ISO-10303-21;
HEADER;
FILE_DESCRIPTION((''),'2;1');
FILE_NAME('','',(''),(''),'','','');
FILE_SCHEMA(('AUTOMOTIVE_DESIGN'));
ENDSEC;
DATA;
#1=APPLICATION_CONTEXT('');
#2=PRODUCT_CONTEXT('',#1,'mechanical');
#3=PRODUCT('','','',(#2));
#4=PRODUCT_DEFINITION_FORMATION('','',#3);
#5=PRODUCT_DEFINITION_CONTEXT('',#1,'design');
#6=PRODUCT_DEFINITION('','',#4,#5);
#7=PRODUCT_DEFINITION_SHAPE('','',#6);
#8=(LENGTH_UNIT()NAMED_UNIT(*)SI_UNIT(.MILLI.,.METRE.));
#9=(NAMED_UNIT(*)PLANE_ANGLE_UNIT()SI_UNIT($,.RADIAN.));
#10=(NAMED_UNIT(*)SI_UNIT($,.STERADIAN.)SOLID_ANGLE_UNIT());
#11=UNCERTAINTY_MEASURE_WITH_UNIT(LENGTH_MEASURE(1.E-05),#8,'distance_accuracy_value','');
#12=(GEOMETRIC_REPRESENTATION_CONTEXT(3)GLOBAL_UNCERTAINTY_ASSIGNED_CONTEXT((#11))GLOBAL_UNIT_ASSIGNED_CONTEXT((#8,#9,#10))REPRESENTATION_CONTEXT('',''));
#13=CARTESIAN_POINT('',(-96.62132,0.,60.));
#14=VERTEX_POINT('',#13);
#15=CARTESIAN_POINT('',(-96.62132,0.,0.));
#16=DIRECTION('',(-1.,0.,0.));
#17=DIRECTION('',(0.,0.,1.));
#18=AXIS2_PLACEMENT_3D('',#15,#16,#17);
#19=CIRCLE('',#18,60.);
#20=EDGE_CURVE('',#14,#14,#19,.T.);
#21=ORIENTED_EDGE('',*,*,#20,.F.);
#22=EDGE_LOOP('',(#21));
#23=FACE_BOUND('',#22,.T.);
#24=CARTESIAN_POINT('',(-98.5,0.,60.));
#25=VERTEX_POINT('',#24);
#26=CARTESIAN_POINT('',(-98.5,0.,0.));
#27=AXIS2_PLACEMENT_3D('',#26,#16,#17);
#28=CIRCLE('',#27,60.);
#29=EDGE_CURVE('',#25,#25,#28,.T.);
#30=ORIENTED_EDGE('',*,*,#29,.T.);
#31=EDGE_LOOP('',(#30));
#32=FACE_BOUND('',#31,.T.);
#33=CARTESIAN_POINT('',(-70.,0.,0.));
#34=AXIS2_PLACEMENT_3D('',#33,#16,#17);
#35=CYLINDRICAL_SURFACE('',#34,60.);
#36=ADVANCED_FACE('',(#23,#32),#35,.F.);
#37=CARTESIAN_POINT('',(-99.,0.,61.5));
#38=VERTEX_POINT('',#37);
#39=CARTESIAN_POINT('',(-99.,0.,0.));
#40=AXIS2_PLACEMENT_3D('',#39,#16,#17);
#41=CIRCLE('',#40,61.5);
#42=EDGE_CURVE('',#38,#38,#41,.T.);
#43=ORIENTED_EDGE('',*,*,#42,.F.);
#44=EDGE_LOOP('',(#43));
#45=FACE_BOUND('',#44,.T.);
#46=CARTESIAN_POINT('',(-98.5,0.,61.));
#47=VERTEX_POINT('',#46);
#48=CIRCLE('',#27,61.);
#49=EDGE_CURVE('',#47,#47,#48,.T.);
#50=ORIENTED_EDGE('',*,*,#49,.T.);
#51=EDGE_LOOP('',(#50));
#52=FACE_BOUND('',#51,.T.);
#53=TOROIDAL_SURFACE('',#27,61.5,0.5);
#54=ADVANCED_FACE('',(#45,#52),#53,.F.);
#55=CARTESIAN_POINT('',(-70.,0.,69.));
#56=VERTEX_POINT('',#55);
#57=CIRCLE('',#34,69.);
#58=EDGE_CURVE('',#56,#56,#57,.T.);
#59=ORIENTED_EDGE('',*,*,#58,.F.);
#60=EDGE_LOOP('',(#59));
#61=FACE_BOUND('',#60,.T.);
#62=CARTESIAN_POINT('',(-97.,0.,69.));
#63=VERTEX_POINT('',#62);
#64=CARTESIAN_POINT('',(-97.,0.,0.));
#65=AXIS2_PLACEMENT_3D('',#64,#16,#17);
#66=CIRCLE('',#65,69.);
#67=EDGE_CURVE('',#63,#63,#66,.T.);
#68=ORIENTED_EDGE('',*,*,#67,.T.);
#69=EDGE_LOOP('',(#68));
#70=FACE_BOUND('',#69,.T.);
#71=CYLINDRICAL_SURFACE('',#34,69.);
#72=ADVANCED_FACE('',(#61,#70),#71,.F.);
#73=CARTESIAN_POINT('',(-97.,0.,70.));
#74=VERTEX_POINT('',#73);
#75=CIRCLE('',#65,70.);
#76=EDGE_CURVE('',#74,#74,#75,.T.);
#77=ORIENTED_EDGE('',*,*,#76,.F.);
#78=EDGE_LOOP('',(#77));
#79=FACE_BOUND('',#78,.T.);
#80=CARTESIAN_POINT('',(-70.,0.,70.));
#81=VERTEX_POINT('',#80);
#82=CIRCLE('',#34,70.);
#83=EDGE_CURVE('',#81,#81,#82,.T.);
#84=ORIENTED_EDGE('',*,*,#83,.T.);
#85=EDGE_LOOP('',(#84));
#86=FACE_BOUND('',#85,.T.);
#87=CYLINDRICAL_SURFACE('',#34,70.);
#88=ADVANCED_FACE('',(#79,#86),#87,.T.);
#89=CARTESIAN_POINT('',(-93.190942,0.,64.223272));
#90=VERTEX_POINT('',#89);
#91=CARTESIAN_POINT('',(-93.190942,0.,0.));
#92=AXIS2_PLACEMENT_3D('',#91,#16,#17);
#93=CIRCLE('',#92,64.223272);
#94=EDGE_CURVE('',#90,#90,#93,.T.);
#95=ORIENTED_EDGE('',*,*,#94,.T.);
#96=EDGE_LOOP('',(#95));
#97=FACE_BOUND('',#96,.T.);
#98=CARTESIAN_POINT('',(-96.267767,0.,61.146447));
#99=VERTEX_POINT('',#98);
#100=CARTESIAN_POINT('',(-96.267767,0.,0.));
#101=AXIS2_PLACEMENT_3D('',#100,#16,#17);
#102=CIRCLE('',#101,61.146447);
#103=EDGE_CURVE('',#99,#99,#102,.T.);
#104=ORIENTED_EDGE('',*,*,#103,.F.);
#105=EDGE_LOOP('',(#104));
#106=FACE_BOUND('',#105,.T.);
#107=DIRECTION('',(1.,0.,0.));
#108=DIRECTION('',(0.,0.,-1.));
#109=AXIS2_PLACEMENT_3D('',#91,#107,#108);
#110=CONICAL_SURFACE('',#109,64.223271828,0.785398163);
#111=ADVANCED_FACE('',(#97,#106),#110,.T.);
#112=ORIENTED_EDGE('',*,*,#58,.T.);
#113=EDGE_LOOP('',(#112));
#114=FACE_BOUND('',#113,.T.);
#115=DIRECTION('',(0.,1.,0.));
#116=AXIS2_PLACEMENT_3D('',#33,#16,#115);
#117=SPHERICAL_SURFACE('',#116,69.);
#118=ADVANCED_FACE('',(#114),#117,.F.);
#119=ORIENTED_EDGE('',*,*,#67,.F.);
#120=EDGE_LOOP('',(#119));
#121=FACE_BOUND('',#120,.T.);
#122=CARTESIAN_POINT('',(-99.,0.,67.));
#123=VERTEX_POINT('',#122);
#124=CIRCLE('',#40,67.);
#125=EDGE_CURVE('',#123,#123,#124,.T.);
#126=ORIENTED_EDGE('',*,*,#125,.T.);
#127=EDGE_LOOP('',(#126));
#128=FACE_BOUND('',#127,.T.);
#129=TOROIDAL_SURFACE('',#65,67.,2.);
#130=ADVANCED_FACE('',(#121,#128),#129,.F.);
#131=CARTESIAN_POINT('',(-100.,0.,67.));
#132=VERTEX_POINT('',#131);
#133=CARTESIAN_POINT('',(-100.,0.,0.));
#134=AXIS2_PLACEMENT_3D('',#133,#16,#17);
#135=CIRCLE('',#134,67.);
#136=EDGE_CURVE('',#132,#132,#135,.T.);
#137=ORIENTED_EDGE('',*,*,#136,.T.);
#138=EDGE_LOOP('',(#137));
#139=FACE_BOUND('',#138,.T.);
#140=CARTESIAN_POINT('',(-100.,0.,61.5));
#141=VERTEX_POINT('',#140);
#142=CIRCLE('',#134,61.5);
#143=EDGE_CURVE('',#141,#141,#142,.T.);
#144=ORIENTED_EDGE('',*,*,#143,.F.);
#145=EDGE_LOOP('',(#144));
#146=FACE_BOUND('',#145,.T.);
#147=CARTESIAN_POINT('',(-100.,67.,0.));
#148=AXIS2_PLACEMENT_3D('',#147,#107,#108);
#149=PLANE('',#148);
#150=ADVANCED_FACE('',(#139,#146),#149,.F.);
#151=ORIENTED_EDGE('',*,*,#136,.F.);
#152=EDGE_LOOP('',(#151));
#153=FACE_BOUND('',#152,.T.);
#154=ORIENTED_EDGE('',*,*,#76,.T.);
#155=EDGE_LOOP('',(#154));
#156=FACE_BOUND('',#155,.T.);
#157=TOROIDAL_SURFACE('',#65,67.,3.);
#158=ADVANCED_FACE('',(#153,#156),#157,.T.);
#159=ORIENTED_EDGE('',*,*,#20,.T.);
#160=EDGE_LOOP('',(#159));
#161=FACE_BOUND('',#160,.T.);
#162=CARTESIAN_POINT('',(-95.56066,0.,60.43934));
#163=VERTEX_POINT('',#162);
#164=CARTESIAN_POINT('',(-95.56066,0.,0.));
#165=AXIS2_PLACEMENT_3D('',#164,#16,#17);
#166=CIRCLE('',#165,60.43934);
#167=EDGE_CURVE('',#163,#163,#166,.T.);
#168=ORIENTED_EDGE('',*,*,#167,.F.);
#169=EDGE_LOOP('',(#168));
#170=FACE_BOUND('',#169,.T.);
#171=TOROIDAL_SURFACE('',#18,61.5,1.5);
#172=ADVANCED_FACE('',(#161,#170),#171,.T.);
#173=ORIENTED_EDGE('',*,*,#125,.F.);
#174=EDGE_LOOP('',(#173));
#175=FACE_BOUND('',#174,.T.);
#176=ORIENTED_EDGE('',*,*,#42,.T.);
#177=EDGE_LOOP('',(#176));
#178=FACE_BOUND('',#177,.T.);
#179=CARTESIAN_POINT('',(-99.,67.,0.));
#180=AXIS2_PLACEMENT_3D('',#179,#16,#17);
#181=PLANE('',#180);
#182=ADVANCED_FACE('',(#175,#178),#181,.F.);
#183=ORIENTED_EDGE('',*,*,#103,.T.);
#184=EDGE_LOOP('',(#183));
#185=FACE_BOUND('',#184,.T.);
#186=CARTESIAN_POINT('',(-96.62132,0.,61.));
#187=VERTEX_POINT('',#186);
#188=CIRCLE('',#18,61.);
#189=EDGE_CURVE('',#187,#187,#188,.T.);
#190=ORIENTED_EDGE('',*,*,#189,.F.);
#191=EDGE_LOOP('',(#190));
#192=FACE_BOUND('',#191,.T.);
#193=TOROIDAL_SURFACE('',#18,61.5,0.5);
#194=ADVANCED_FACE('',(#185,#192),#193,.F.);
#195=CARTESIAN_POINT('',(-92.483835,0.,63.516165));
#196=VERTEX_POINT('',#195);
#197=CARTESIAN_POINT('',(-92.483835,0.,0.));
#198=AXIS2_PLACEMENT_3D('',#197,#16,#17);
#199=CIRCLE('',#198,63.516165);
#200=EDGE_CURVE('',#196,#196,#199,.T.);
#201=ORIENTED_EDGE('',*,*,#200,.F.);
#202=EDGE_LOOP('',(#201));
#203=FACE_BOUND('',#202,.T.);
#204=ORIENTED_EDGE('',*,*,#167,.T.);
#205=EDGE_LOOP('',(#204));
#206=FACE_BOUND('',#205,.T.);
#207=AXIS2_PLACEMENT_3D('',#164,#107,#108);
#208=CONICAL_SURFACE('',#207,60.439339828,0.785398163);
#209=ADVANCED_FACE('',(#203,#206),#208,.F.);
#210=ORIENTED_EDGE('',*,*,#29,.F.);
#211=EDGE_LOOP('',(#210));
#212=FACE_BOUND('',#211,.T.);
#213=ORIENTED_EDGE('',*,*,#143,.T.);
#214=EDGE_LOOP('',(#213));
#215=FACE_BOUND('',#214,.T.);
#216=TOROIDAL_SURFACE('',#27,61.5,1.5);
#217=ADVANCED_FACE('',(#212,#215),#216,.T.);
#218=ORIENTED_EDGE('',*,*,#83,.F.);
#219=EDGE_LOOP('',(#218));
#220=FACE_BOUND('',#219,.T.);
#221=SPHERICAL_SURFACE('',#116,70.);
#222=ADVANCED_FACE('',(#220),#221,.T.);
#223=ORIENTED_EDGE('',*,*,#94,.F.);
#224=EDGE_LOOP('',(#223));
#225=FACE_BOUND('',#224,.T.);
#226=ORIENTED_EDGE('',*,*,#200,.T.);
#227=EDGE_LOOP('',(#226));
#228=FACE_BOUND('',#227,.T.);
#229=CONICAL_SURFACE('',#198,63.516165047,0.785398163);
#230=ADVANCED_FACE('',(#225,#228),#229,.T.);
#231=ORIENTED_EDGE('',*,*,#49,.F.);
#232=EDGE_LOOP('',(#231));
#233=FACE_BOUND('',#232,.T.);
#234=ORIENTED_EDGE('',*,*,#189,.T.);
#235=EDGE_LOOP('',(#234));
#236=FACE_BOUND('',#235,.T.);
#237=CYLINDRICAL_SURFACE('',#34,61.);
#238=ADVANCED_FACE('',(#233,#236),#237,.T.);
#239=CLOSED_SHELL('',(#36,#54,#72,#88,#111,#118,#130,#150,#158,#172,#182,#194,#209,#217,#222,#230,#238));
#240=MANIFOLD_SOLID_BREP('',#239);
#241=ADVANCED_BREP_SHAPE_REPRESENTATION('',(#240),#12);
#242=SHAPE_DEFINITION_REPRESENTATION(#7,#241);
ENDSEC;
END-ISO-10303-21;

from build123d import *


with BuildPart() as part:
    # Sketch1 → Revolve1 (revolve)
    with BuildSketch(Plane.XY, mode=Mode.PRIVATE) as revolve1_sk:
        with BuildLine():
            Line((-70, 70), (-97, 70))
            ThreePointArc((-97, 70), (-99.121320344, 69.121320344), (-100, 67))
            Line((-100, 67), (-100, 61.5))
            ThreePointArc((-100, 61.5), (-99.560660172, 60.439339828), (-98.5, 60))
            Line((-98.5, 60), (-96.621320344, 60))
            ThreePointArc((-96.621320344, 60), (-96.047295195, 60.114180701), (-95.560660172, 60.439339828))
            Line((-95.560660172, 60.439339828), (-92.483834953, 63.516165047))
            Line((-92.483834953, 63.516165047), (-93.190941734, 64.223271828))
            Line((-93.190941734, 64.223271828), (-96.267766953, 61.146446609))
            ThreePointArc((-96.267766953, 61.146446609), (-96.429978627, 61.038060234), (-96.621320344, 61))
            Line((-96.621320344, 61), (-98.5, 61))
            ThreePointArc((-98.5, 61), (-98.853553391, 61.146446609), (-99, 61.5))
            Line((-99, 61.5), (-99, 67))
            ThreePointArc((-99, 67), (-98.414213562, 68.414213562), (-97, 69))
            Line((-97, 69), (-70, 69))
            ThreePointArc((-70, 69), (-21.209632098, 48.790367902), (-1, 0))
            Line((-1, 0), (0, 0))
            ThreePointArc((0, 0), (-20.502525317, 49.497474683), (-70, 70))
        make_face()
    revolve(revolve1_sk.sketch.rotate(Axis((-70, 0, 0), (1, 0, 0)), 90), axis=Axis((-70, 0, 0), (1, 0, 0)))


solid = part.part
